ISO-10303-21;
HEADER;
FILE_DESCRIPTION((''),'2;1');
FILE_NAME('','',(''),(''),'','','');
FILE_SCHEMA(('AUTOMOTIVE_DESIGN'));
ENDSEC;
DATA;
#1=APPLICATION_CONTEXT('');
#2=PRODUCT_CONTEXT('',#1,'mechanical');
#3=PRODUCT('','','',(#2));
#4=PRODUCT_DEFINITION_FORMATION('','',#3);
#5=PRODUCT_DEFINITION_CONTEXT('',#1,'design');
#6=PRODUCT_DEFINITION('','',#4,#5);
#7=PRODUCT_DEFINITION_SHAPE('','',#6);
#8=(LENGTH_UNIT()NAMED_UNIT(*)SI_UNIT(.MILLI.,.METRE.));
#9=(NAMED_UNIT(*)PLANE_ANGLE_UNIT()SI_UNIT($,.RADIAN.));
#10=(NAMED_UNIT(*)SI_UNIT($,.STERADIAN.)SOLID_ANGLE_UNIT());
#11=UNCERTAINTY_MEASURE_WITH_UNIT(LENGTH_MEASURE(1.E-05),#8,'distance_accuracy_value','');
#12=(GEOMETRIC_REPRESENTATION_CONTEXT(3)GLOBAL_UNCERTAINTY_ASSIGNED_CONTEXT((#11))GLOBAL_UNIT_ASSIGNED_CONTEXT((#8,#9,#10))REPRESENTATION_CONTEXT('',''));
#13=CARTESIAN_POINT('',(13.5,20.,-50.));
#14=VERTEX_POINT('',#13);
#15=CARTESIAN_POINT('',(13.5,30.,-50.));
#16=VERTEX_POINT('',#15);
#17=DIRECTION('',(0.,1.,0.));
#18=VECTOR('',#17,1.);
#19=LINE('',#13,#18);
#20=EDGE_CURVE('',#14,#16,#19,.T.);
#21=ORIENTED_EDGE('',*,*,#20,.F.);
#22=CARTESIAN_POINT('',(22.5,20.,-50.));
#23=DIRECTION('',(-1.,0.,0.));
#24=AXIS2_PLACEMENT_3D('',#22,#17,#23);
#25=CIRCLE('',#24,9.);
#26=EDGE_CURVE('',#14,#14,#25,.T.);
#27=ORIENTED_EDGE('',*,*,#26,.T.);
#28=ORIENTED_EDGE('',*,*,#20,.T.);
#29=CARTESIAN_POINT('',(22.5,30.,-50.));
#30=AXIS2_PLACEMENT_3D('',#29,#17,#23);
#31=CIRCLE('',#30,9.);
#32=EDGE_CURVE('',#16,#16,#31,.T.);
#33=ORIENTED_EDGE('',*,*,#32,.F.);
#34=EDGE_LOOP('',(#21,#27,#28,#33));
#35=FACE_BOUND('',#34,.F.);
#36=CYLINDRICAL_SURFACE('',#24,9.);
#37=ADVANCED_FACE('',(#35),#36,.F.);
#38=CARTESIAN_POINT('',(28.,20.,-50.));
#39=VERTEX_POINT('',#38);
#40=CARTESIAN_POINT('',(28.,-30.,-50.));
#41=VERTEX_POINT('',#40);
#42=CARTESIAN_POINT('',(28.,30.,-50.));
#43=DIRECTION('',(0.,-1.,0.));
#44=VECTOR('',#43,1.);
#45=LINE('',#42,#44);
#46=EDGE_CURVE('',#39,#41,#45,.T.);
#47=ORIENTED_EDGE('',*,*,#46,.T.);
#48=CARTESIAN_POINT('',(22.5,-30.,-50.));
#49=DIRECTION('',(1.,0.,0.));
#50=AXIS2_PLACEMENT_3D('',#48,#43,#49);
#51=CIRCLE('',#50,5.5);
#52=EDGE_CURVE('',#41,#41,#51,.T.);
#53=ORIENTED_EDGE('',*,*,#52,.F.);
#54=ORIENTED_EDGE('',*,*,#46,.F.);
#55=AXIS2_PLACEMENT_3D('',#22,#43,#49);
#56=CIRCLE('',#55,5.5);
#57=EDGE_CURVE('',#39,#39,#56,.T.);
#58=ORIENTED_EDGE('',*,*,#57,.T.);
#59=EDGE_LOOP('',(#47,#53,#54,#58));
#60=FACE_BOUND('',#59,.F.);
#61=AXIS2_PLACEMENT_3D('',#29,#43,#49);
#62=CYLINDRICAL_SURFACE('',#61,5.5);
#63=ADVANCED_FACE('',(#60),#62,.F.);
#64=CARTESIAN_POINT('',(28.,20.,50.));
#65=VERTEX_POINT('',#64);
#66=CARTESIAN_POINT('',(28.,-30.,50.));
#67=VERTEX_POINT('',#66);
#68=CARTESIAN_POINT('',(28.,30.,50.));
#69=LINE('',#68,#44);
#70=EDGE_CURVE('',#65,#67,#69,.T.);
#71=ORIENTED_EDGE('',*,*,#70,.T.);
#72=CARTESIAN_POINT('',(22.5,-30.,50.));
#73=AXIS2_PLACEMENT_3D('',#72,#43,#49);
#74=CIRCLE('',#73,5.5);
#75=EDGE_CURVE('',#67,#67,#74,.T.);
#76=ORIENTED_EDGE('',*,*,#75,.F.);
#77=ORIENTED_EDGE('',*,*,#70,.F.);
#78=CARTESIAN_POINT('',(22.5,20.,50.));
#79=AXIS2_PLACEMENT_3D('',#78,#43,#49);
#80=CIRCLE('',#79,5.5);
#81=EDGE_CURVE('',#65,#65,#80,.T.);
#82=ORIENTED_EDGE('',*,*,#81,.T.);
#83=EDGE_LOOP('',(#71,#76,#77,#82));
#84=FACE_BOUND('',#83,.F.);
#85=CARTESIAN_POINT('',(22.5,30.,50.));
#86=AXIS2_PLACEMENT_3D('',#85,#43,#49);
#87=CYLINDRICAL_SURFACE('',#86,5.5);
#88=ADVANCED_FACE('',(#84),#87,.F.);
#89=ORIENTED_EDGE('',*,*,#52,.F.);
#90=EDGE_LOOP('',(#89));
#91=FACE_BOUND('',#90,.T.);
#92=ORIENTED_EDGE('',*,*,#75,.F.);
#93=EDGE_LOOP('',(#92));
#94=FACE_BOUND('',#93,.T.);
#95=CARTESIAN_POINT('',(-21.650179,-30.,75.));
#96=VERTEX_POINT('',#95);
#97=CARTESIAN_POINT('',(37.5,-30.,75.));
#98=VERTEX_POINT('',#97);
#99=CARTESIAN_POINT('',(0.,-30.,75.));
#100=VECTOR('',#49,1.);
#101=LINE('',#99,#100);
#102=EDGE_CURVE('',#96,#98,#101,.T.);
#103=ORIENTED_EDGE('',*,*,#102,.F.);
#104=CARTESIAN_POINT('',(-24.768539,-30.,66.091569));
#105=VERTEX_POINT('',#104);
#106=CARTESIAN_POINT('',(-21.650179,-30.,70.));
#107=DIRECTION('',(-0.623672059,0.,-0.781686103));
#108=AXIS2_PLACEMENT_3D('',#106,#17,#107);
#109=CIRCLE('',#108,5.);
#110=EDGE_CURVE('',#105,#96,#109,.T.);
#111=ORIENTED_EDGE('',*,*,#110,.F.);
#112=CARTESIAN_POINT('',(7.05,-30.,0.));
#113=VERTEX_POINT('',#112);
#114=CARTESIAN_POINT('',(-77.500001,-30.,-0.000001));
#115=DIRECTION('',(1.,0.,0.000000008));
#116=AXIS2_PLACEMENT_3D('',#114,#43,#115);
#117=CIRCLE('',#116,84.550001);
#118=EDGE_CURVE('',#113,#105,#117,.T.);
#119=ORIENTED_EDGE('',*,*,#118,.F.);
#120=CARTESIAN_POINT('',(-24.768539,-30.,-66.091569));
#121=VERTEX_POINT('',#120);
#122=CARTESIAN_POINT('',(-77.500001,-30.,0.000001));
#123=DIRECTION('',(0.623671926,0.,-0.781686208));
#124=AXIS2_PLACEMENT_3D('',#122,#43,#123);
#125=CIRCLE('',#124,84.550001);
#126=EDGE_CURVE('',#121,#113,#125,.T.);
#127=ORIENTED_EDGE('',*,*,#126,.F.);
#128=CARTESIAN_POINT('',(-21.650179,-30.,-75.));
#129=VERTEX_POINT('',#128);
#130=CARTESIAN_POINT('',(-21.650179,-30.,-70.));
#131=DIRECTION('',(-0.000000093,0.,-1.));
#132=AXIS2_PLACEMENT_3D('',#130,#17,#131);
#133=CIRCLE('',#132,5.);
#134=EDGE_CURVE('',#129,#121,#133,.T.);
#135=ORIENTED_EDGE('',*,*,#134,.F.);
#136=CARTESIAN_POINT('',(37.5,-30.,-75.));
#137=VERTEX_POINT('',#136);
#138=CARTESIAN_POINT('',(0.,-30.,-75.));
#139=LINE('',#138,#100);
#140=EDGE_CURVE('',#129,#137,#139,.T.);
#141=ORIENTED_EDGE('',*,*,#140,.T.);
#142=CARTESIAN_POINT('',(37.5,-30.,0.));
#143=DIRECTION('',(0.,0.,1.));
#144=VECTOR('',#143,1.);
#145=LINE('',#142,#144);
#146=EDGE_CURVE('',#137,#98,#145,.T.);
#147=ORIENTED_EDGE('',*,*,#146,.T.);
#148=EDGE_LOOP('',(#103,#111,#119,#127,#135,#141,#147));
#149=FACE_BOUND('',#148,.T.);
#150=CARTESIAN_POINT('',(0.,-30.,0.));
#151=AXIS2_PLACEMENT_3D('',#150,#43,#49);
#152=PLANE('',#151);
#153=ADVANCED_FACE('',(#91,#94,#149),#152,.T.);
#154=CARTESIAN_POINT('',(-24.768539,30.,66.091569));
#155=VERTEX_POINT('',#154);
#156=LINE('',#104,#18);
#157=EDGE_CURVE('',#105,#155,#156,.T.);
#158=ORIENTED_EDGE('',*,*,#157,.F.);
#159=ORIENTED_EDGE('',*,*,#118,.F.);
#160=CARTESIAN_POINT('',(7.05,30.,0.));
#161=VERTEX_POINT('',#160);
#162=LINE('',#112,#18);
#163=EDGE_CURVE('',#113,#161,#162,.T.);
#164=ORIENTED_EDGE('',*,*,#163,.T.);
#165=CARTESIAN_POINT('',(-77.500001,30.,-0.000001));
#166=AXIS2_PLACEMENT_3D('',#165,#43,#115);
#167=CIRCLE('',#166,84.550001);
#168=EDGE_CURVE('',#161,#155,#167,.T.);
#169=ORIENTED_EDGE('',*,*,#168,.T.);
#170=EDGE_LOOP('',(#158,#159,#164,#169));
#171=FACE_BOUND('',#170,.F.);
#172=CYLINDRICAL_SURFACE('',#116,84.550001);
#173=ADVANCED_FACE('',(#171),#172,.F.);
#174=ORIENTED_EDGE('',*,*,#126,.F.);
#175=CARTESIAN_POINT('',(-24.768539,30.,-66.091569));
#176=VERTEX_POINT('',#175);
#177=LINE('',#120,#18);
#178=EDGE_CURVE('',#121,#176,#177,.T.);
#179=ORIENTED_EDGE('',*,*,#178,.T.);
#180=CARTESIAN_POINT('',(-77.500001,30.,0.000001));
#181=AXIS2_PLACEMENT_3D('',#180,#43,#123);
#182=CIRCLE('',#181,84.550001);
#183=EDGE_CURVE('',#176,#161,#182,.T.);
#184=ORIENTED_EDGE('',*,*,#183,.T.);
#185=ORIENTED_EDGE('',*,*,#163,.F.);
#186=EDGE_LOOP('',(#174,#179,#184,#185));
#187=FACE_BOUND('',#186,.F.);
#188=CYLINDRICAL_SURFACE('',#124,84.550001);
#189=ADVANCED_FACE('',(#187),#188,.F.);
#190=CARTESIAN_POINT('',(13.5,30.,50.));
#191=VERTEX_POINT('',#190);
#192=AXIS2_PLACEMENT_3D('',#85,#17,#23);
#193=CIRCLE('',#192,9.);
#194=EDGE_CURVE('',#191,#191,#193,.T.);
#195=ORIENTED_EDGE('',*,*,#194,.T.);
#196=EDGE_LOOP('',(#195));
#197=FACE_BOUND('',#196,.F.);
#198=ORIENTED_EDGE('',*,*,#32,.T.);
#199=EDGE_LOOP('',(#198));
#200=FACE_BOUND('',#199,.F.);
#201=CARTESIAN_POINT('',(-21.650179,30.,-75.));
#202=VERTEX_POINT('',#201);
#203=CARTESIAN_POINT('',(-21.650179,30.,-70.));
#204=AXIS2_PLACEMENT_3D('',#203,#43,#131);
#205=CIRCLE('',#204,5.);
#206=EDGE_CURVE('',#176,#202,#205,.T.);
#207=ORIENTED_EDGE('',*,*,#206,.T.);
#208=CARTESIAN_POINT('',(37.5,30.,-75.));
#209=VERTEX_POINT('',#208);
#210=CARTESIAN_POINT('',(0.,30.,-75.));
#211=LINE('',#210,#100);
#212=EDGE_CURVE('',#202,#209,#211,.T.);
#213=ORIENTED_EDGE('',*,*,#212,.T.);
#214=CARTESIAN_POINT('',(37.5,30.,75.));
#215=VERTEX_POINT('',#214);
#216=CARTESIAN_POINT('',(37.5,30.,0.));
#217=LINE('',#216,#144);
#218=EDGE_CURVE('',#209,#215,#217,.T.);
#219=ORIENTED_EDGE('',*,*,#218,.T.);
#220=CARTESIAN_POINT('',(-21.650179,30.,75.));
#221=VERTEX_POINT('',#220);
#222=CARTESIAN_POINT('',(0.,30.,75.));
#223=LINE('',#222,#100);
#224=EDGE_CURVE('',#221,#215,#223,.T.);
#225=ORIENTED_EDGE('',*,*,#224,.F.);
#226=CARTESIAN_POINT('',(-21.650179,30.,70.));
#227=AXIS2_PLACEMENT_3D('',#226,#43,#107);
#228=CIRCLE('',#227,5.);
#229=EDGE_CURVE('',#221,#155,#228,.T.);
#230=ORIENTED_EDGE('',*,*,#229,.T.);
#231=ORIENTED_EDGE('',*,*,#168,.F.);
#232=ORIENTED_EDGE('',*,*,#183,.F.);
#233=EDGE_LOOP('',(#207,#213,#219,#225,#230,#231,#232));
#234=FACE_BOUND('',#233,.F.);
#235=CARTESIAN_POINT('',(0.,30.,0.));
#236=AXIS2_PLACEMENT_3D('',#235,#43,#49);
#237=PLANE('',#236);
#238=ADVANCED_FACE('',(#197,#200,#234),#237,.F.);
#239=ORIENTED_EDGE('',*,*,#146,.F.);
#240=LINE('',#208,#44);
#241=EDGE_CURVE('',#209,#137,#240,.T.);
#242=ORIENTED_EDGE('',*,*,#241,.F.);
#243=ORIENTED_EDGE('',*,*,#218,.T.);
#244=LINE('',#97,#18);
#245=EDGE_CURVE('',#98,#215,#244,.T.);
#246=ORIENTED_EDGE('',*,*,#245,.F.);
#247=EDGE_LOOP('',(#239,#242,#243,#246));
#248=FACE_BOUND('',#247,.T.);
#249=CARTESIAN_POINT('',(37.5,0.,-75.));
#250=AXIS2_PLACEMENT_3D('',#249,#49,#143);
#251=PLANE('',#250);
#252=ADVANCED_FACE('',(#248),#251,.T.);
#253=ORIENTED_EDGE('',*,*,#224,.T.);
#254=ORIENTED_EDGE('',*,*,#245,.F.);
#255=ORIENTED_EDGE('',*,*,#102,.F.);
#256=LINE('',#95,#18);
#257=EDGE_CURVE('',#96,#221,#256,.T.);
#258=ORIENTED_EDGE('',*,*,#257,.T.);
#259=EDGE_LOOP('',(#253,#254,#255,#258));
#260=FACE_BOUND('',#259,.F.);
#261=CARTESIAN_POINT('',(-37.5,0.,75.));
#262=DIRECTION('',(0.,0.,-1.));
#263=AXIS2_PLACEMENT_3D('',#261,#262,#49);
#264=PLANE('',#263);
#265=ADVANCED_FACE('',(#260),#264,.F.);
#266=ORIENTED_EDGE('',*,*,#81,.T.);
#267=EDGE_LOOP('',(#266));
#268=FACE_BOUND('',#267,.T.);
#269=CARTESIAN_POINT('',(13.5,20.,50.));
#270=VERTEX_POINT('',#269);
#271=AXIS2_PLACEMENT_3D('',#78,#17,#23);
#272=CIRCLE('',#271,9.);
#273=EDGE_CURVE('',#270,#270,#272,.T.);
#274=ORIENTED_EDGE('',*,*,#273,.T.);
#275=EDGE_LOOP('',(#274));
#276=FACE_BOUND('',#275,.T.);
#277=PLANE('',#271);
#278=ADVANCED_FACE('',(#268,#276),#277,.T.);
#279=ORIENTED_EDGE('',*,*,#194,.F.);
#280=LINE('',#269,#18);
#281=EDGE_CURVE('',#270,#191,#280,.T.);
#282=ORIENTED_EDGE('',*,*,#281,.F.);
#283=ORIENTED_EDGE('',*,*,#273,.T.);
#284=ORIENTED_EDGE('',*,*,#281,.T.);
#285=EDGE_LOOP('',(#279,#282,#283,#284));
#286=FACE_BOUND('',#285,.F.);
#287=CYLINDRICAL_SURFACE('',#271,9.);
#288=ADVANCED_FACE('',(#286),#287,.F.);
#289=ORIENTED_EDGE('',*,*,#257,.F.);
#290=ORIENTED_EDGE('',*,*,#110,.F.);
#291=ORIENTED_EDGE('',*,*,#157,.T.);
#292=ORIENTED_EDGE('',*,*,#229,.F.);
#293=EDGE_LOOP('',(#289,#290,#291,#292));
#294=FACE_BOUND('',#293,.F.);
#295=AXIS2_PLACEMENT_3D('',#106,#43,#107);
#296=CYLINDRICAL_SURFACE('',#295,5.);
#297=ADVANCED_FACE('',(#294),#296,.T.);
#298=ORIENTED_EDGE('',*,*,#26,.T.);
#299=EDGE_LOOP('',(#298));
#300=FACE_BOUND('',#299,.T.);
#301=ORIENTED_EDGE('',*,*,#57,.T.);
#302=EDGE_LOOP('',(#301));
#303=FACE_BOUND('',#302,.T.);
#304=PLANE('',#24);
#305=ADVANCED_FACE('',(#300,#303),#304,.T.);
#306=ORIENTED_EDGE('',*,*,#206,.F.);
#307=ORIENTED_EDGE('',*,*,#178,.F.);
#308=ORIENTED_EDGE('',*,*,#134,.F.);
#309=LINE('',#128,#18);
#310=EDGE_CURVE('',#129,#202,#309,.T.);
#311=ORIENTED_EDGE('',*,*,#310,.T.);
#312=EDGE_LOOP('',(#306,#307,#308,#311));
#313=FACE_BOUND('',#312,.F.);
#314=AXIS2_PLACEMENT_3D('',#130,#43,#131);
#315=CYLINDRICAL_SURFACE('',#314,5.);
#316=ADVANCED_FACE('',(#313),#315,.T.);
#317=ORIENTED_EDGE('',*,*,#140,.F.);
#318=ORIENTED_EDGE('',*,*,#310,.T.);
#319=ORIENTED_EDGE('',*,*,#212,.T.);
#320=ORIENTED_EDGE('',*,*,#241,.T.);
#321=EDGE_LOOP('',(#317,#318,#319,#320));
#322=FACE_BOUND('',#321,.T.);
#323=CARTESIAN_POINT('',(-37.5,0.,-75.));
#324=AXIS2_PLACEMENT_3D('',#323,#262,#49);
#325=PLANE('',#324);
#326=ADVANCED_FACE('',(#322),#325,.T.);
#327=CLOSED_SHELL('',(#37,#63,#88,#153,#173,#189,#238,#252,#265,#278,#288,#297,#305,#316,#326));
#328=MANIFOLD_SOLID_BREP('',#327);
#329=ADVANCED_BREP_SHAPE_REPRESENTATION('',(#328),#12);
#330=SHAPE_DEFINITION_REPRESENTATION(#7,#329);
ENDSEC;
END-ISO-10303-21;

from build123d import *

# Parameters (mm, degrees)
F0_W           = 75
F0_H           = 150
F1_DEPTH       = 30
F3_DEPTH       = 60.001
F5_D           = 11
F5_CBORE_D     = 18
F5_CBORE_DEPTH = 10


with BuildPart() as f1:
    # F0 (on Front) → F1 (new body, symmetric)
    with BuildSketch(Plane.XZ):
        Rectangle(F0_W, F0_H)
    extrude(amount=F1_DEPTH, both=True)

    # F2 (on face) → F3 (cut, through all)
    with BuildSketch(Plane.XZ.offset(30)):
        with BuildLine():
            ThreePointArc((-24.768539, -66.091569), (-1.31881, -36.675997), (7.05, 0))
            ThreePointArc((7.05, 0), (-1.31881, 36.675997), (-24.768539, 66.091569))
            ThreePointArc((-24.768539, 66.091569), (-162.05, 0), (-24.768539, -66.091569))
        make_face()
        with BuildLine():
            ThreePointArc((-37.5, 74.489613), (-30.944519, 70.578253), (-24.768539, 66.091569))
            ThreePointArc((-24.768539, 66.091569), (-26.369403, 71.651945), (-21.650179, 75))
            Line((-21.650179, 75), (-37.5, 75))
            Line((-37.5, 75), (-37.5, 74.489613))
        make_face()
        with BuildLine():
            ThreePointArc((-21.650179, -75), (-26.369403, -71.651945), (-24.768539, -66.091569))
            ThreePointArc((-24.768539, -66.091569), (-30.944519, -70.578253), (-37.5, -74.489613))
            Line((-37.5, -74.489613), (-37.5, -75))
            Line((-37.5, -75), (-21.650179, -75))
        make_face()
    extrude(amount=-F3_DEPTH, mode=Mode.SUBTRACT)

    # F5 (through all)
    with Locations(Plane(origin=(0, 30, 0), x_dir=(-1, 0, 0), z_dir=(0, 1, 0))):
        with Locations((-22.5, 50), (-22.5, -50)):
            CounterBoreHole(F5_D / 2, F5_CBORE_D / 2, F5_CBORE_DEPTH)


solid = f1.part
